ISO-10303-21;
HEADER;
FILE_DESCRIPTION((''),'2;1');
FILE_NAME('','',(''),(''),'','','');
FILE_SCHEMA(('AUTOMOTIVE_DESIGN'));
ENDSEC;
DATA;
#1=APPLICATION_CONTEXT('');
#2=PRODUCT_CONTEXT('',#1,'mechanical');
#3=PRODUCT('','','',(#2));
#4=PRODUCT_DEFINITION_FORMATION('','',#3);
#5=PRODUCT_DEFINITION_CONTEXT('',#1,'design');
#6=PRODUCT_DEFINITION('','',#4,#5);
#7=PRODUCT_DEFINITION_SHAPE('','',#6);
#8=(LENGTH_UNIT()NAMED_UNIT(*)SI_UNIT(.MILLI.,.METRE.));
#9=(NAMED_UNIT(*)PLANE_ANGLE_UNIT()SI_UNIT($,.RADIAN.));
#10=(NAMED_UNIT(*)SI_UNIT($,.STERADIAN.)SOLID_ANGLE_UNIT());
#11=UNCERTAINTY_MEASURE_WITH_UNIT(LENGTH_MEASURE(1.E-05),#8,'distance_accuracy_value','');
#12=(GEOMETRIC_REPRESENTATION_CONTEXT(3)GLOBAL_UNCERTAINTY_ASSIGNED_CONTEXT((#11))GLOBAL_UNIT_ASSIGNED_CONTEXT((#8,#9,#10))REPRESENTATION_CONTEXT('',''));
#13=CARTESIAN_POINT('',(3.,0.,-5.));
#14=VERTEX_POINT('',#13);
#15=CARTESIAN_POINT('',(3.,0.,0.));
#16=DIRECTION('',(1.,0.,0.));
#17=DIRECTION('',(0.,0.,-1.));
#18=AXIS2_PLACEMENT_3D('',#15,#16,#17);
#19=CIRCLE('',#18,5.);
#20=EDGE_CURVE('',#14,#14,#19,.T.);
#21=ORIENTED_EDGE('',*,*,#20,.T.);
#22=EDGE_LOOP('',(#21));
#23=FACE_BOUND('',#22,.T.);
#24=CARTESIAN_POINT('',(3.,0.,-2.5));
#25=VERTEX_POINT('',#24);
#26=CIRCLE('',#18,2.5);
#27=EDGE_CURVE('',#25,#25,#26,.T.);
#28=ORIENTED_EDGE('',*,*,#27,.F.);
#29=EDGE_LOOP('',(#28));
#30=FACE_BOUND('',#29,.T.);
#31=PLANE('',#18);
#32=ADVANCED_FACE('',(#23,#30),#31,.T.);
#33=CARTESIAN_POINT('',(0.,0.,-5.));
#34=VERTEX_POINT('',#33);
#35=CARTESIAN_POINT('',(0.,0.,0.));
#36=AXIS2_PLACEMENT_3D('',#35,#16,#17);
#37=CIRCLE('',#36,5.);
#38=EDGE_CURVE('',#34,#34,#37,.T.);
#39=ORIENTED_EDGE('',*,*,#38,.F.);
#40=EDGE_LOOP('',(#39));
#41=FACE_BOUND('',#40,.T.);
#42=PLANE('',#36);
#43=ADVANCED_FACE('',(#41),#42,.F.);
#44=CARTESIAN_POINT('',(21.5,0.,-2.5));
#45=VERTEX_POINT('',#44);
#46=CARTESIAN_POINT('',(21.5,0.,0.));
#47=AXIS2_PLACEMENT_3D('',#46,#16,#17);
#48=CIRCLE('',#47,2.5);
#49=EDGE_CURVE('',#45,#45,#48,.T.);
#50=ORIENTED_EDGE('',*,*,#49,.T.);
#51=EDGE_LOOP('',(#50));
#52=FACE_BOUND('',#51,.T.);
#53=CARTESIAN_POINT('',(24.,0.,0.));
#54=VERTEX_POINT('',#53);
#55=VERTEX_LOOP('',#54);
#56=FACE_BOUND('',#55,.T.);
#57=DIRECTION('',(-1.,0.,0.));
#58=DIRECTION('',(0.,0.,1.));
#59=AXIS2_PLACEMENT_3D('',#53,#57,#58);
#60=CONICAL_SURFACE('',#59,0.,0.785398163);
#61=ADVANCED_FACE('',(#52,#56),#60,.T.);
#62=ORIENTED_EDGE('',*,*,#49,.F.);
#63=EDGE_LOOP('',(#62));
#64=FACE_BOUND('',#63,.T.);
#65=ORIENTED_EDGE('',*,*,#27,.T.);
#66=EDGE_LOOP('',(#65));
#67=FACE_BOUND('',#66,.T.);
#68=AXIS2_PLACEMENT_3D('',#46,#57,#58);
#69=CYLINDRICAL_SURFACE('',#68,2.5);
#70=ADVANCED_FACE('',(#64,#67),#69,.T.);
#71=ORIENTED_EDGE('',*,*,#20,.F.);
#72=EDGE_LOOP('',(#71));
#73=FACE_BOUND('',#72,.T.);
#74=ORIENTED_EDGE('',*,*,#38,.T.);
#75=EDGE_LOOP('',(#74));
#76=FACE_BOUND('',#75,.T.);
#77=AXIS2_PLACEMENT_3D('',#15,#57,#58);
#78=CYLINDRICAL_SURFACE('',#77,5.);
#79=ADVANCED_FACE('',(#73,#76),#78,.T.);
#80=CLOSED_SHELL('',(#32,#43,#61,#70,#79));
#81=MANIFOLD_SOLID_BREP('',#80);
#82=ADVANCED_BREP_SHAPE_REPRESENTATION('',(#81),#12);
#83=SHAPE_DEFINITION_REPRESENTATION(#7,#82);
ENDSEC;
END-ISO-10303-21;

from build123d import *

# Parameters (mm, degrees)
SKETCH1_R           = 5
BOSS_EXTRUDE1_DEPTH = 3
SKETCH3_R           = 2.5
BOSS_EXTRUDE2_DEPTH = 18.5


with BuildPart() as part:
    # Sketch1 → Boss-Extrude1 (new body)
    with BuildSketch(Plane(origin=(0, 0, 0), x_dir=(0, 0, -1), z_dir=(1, 0, 0))):
        Circle(SKETCH1_R)
    extrude(amount=BOSS_EXTRUDE1_DEPTH)

    # Sketch3 → Boss-Extrude2 (add)
    with BuildSketch(Plane(origin=(3, 0, 0), x_dir=(0, 0, -1), z_dir=(1, 0, 0))):
        Circle(SKETCH3_R)
    extrude(amount=BOSS_EXTRUDE2_DEPTH)

    # Sketch4 → Revolve1 (revolve)
    with BuildSketch(Plane.XY, mode=Mode.PRIVATE) as revolve1_sk:
        Polygon((21.5, 0), (24, 0), (21.5, 2.5), align=None)
    revolve(revolve1_sk.sketch.rotate(Axis((21.5, 0, 0), (1, 0, 0)), 90), axis=Axis((21.5, 0, 0), (1, 0, 0)))


solid = part.part
